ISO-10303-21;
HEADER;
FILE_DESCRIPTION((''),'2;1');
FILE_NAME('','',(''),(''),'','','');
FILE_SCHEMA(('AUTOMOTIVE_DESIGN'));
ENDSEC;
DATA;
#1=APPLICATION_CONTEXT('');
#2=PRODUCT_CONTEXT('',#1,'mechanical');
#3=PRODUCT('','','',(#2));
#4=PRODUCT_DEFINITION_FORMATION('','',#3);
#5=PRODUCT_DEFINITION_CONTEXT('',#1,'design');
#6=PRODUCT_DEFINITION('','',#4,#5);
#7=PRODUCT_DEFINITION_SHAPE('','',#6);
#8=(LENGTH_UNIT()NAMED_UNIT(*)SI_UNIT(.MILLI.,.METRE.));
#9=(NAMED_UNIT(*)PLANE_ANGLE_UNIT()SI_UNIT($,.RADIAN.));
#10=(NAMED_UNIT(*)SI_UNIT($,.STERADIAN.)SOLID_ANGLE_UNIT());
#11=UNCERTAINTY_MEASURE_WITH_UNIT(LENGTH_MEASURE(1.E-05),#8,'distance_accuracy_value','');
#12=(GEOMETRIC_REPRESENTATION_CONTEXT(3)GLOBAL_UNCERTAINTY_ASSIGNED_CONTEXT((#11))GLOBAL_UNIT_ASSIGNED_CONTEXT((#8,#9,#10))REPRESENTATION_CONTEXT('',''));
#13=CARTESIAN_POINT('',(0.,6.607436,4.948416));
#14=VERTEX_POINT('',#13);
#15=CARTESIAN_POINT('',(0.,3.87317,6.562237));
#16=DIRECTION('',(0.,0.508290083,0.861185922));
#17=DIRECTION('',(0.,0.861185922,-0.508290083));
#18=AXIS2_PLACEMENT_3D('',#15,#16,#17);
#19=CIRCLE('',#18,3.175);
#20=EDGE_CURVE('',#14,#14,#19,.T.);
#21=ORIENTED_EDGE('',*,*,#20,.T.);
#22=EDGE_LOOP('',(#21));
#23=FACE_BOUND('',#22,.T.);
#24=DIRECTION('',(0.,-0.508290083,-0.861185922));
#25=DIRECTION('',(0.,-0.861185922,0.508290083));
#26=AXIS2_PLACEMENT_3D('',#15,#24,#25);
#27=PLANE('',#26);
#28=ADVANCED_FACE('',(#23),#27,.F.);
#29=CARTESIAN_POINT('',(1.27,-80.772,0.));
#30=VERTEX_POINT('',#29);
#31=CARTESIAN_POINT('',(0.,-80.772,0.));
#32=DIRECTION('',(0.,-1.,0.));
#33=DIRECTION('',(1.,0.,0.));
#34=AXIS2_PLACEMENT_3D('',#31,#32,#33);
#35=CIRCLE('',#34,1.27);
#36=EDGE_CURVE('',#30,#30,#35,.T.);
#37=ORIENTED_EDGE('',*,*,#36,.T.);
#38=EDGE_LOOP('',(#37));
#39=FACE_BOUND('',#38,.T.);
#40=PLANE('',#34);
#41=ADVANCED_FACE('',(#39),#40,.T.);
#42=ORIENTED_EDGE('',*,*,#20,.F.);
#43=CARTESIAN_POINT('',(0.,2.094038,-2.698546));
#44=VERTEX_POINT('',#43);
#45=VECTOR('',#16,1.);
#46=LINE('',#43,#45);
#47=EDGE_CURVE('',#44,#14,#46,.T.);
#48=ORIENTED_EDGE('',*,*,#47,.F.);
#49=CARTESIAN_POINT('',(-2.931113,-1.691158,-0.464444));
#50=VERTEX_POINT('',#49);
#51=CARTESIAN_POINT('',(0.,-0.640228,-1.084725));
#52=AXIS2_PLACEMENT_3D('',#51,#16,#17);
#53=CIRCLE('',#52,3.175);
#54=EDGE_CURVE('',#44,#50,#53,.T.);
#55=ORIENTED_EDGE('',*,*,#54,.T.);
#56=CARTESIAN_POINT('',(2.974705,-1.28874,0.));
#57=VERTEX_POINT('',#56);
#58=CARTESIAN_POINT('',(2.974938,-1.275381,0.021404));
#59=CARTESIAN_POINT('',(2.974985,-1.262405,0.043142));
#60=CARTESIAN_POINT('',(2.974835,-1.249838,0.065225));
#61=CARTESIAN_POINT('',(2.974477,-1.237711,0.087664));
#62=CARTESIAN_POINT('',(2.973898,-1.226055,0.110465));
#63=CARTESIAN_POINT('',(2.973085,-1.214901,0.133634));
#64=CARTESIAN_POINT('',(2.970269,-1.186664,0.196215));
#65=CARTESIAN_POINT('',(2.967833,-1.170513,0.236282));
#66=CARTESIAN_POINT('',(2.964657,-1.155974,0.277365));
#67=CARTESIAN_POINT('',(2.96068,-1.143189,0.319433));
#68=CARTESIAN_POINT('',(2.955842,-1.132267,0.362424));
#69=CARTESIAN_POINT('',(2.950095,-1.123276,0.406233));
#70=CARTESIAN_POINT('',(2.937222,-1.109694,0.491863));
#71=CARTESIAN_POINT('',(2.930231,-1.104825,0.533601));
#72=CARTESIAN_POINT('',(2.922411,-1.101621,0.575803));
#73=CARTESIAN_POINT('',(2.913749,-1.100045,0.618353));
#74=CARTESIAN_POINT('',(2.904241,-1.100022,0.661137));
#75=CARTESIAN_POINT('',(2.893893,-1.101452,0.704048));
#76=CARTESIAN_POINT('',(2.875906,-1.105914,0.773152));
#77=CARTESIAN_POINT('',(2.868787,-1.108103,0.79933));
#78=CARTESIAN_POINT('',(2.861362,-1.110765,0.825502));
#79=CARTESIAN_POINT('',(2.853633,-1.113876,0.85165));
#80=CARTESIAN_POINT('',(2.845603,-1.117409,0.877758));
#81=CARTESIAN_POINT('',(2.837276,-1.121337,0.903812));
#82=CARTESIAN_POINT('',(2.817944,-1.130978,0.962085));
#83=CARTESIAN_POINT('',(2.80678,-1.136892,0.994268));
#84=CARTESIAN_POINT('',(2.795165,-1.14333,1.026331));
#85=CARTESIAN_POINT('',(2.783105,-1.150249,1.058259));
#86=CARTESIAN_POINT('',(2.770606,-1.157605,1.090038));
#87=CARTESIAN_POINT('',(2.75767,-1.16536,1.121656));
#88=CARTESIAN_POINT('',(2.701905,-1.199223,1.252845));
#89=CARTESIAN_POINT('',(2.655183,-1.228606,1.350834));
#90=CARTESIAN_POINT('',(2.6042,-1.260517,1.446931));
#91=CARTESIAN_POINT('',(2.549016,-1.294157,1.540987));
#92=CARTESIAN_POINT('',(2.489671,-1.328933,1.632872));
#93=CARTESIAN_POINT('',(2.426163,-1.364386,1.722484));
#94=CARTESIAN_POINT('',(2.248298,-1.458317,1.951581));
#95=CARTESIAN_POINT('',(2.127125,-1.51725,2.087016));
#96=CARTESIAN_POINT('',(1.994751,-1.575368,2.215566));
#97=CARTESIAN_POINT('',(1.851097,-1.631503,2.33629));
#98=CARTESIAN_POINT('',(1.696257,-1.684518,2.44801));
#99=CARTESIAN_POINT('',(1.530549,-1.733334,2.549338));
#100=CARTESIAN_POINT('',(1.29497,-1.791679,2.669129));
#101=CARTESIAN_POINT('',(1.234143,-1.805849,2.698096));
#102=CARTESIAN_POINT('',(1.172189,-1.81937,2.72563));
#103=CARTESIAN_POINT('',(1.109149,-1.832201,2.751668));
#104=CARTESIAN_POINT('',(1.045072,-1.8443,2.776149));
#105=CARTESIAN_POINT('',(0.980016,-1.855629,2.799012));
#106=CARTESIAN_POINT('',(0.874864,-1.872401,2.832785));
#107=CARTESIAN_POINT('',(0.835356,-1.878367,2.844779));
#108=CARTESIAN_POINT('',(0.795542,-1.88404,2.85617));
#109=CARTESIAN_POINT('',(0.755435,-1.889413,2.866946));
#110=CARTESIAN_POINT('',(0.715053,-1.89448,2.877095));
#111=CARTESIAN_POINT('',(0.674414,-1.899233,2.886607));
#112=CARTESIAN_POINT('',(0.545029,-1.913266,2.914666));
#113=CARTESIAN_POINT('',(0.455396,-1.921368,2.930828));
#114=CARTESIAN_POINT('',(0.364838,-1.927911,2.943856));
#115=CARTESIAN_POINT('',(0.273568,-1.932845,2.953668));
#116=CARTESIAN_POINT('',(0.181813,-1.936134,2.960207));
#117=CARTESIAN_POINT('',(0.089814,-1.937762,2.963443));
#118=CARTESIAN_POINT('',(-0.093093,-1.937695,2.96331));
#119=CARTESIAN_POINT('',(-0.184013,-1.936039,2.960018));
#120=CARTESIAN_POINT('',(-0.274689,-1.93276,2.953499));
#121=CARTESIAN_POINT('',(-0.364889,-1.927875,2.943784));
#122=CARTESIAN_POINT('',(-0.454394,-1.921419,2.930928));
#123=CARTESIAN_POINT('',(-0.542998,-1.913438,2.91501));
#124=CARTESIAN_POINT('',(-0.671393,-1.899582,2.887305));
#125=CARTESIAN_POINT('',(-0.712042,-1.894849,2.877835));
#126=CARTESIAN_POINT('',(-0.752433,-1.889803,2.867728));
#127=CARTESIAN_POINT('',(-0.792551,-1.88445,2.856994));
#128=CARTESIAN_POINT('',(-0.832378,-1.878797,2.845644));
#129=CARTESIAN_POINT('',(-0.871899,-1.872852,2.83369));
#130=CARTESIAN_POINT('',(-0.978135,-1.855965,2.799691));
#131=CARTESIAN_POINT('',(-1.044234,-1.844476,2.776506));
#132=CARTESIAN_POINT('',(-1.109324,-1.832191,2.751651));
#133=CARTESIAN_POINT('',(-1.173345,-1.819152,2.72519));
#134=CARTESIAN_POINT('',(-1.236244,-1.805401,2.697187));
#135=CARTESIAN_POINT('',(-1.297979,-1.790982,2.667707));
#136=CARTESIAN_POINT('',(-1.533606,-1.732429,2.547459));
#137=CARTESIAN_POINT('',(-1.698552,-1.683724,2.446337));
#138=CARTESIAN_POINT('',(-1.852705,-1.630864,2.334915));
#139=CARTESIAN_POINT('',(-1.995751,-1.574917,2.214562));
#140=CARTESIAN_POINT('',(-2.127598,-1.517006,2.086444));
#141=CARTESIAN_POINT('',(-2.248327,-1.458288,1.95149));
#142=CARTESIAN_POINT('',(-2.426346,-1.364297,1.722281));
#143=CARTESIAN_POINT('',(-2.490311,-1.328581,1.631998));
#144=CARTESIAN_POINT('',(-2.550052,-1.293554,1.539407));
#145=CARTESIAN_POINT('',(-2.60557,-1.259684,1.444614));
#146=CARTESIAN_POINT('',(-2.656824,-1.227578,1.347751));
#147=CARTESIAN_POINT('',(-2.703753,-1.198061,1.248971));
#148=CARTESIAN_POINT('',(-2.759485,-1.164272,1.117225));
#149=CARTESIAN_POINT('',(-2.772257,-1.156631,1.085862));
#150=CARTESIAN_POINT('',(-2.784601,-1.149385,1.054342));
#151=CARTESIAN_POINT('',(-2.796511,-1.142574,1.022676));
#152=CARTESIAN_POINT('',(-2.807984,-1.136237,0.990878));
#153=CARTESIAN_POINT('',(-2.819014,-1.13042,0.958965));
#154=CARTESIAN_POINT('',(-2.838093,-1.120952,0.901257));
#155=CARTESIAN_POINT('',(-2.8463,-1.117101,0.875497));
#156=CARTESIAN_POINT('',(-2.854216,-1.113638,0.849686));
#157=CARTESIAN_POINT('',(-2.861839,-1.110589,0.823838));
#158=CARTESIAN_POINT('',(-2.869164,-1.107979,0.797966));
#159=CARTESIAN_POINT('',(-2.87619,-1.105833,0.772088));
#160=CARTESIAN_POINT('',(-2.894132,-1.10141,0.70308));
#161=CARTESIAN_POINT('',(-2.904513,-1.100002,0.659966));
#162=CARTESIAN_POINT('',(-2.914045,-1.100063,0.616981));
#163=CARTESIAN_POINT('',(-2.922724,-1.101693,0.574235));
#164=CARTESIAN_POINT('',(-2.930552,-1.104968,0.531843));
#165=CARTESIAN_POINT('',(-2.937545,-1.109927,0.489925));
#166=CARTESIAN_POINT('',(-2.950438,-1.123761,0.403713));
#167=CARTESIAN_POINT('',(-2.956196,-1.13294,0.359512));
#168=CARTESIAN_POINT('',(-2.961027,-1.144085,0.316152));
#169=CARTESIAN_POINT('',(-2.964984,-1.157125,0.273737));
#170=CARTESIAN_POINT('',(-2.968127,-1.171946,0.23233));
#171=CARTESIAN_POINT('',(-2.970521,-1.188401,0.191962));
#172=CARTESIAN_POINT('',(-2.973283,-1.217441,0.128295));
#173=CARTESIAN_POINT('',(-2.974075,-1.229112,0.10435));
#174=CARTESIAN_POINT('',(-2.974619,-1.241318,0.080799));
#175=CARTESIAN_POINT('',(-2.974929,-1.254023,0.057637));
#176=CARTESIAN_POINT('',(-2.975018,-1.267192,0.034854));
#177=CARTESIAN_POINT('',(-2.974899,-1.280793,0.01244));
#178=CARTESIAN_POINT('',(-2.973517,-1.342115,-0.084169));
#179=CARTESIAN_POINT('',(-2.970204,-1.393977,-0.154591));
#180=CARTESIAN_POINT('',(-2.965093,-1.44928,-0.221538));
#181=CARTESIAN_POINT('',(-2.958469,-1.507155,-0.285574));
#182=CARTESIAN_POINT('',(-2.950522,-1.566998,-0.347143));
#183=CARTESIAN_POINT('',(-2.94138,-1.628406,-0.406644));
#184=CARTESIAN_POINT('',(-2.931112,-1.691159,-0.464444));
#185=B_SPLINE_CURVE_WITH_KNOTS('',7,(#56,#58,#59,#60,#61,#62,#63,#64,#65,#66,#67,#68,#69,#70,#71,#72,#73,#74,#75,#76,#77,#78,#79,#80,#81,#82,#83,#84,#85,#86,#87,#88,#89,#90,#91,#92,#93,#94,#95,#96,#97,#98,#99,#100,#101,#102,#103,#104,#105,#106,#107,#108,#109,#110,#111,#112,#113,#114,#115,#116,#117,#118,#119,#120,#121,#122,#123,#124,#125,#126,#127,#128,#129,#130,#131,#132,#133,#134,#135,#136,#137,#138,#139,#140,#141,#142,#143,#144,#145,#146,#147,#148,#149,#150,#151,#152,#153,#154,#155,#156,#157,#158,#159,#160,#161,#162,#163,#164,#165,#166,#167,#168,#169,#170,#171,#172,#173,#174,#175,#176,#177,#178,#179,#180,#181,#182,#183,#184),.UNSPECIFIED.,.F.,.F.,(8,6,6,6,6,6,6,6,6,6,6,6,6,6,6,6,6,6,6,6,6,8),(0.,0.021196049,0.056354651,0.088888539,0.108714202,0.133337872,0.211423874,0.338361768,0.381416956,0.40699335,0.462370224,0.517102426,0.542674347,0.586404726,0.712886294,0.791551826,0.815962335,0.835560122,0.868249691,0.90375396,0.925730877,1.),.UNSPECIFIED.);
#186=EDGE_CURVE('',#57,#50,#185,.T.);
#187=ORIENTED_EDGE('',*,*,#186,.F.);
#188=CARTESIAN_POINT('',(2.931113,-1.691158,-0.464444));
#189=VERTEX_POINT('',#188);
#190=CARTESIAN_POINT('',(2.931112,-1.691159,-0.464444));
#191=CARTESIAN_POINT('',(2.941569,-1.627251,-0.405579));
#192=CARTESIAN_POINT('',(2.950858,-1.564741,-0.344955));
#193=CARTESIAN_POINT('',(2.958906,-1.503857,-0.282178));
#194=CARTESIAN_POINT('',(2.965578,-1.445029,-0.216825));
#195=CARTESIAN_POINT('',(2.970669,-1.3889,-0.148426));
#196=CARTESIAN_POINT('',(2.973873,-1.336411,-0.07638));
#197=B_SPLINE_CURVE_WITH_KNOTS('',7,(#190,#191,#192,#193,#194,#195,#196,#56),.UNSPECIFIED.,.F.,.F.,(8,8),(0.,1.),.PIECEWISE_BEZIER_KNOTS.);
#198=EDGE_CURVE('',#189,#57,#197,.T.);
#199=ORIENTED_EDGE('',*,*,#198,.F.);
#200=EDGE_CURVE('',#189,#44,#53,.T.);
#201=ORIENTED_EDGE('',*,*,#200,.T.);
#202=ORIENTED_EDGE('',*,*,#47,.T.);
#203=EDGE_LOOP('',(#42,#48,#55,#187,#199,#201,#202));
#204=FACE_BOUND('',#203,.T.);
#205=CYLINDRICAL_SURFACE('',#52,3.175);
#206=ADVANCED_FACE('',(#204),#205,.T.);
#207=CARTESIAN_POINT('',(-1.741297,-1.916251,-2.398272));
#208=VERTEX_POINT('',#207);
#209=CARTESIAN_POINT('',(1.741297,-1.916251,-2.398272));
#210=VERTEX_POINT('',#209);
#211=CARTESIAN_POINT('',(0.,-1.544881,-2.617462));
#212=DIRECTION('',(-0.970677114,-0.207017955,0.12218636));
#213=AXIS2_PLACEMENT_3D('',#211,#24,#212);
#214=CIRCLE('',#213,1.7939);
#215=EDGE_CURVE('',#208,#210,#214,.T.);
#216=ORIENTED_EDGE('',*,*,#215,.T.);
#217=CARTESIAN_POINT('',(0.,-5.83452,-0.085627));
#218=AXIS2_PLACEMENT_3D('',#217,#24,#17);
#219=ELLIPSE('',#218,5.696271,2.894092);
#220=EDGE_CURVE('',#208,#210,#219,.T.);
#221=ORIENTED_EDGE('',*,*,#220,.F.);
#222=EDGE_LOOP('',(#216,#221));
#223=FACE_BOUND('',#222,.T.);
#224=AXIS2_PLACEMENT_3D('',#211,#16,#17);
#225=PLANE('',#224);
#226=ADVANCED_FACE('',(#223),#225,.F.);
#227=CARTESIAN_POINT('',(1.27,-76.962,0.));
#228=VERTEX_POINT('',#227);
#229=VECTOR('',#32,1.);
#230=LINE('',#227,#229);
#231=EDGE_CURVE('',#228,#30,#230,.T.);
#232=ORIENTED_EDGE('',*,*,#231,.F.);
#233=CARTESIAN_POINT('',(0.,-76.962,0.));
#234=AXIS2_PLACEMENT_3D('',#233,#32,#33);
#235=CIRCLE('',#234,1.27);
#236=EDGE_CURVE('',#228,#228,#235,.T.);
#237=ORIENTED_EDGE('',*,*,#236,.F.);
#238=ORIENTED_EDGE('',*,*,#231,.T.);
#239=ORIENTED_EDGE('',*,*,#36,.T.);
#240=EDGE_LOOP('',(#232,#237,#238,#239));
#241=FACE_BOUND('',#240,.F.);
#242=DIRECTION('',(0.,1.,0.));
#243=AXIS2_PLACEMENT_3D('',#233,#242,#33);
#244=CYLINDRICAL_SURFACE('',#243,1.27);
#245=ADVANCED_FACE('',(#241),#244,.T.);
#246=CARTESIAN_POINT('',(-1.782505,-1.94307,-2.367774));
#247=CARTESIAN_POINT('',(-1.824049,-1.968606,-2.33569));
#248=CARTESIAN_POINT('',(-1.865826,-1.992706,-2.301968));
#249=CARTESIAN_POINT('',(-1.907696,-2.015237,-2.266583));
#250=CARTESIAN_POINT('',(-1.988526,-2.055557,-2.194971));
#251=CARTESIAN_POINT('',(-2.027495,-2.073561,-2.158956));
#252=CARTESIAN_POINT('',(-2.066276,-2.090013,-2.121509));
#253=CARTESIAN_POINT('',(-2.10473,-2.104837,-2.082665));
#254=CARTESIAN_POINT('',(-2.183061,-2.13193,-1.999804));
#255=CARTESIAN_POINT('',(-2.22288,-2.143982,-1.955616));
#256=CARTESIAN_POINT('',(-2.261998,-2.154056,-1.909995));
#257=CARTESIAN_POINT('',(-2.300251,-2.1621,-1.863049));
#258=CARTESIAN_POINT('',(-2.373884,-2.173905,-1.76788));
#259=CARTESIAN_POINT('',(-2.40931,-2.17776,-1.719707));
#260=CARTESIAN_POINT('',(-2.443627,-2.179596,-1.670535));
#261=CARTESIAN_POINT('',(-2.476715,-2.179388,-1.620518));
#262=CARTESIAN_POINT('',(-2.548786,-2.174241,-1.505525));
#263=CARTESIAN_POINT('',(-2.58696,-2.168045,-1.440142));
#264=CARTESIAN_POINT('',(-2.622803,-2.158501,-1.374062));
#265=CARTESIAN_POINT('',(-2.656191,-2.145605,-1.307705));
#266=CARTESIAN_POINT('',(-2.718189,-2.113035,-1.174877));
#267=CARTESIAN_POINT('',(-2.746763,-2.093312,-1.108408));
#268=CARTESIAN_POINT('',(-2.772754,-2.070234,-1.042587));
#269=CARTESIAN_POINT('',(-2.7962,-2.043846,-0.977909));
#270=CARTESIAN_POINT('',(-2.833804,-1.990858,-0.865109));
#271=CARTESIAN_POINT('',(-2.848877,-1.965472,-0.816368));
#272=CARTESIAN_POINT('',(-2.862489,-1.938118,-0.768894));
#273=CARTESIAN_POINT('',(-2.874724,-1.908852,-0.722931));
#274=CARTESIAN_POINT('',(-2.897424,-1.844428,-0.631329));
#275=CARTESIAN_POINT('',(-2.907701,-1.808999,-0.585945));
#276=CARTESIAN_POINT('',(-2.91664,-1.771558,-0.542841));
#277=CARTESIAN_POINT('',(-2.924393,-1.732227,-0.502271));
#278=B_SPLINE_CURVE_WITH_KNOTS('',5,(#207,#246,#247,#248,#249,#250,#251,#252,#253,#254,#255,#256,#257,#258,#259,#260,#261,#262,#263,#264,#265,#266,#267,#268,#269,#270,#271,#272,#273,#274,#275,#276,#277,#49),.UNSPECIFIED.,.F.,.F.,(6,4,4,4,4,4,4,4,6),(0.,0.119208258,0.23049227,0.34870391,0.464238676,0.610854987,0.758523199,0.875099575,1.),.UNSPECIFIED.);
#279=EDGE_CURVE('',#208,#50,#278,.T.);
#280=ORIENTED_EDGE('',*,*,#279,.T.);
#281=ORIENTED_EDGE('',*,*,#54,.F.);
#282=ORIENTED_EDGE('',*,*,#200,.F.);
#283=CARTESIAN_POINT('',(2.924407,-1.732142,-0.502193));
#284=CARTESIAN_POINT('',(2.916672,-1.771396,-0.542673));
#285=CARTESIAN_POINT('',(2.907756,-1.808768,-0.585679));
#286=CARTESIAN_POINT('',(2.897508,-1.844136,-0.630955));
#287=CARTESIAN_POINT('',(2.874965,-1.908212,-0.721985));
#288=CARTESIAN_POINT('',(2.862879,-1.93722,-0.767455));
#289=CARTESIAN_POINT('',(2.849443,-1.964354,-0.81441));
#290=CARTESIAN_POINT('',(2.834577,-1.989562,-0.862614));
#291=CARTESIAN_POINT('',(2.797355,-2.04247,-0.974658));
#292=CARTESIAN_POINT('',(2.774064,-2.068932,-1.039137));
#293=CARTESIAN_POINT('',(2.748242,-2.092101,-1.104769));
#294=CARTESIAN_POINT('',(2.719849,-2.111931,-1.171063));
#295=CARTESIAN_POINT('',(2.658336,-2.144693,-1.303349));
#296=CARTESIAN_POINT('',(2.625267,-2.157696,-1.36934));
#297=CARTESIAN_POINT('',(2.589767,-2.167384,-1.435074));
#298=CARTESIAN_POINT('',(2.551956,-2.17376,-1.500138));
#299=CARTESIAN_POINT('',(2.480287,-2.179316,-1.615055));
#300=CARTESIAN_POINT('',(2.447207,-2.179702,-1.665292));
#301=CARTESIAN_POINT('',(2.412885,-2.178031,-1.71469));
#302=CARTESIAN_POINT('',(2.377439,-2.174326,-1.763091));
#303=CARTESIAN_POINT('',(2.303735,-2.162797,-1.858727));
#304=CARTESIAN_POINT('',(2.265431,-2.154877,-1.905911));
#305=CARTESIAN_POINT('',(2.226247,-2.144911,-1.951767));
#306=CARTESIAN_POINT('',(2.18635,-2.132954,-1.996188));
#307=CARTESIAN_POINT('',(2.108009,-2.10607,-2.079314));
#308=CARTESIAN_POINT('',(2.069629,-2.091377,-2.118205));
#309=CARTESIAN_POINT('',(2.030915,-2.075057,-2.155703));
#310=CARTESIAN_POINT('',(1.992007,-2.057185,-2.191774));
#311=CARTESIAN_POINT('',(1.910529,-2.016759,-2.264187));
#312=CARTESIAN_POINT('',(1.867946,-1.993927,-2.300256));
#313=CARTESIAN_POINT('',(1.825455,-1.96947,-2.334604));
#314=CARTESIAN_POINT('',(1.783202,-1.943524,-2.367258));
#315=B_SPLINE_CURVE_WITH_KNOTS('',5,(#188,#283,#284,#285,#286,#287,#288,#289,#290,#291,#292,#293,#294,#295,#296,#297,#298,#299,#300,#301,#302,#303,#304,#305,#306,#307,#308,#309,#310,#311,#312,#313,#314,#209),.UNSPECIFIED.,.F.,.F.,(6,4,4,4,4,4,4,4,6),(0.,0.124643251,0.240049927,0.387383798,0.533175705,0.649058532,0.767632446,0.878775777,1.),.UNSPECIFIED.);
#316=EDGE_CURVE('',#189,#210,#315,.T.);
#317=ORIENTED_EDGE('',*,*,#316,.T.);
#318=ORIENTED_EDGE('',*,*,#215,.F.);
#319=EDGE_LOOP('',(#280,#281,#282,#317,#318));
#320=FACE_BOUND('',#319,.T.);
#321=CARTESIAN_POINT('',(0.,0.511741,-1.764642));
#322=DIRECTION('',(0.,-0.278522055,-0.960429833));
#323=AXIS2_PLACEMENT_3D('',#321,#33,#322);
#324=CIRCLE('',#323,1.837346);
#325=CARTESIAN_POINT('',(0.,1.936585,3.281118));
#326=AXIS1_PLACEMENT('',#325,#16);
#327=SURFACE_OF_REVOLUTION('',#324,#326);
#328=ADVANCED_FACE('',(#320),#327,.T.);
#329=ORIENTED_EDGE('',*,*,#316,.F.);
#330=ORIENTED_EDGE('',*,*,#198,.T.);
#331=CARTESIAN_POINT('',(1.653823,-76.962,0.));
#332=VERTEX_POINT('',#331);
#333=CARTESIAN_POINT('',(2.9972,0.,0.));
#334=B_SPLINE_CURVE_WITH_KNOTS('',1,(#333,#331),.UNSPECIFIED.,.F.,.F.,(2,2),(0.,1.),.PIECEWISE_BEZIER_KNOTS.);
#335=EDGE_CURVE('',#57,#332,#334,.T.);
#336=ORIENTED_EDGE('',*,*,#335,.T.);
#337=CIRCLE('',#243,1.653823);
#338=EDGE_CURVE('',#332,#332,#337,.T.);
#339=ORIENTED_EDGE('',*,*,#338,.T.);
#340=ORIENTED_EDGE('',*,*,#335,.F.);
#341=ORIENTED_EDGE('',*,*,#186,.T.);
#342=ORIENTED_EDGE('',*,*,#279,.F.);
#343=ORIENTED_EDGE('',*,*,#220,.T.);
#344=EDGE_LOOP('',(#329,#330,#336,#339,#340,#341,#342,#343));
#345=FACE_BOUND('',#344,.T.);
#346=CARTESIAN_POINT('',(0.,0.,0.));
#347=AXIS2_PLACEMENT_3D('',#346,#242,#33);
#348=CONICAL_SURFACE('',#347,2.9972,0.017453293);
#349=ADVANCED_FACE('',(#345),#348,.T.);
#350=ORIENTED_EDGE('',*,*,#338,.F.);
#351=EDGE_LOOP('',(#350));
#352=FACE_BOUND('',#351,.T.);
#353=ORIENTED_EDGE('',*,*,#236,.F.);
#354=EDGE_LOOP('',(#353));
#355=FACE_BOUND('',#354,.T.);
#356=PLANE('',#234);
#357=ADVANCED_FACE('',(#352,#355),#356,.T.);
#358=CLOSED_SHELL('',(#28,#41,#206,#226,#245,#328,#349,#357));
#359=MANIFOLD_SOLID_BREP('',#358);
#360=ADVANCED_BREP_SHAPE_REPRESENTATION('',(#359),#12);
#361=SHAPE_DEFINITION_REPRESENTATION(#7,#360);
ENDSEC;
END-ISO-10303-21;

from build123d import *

# Parameters (mm, degrees)
F0_R     = 2.9972
F1_DEPTH = 76.962
F1_TAPER = 1
F4_R     = 1.27
F5_DEPTH = 3.81


with BuildPart() as f1:
    # F0 (on Front) → F1 (new body)
    with BuildSketch(Plane.XZ):
        Circle(F0_R)
    extrude(amount=F1_DEPTH, taper=F1_TAPER)

    # F2 (on Right) → F3 (revolve)
    with BuildSketch(Plane.YZ):
        with BuildLine():
            Line((0.2946257891, 0.4991786979), (0, 0))
            Line((0, 0), (-1.5448811736, -2.6174618826))
            Line((-1.5448811736, -2.6174618826), (0, -3.529283314))
            ThreePointArc((0, -3.529283314), (1.1892758064, -3.4725018248), (2.0940375895, -2.6985462724))
            Line((2.0940375895, -2.6985462724), (6.6074357329, 4.9484157097))
            Line((6.6074357329, 4.9484157097), (3.8731704317, 6.5622367229))
            Line((3.8731704317, 6.5622367229), (0.2946257891, 0.4991786979))
        make_face()
    revolve(axis=Axis((0, 1.9365852158, 3.2811183614), (0, 0.5082900829, 0.8611859216)))

    # F4 (on face) → F5 (join)
    with BuildSketch(Plane.XZ.offset(76.962)):
        Circle(F4_R)
    extrude(amount=F5_DEPTH)


solid = f1.part
